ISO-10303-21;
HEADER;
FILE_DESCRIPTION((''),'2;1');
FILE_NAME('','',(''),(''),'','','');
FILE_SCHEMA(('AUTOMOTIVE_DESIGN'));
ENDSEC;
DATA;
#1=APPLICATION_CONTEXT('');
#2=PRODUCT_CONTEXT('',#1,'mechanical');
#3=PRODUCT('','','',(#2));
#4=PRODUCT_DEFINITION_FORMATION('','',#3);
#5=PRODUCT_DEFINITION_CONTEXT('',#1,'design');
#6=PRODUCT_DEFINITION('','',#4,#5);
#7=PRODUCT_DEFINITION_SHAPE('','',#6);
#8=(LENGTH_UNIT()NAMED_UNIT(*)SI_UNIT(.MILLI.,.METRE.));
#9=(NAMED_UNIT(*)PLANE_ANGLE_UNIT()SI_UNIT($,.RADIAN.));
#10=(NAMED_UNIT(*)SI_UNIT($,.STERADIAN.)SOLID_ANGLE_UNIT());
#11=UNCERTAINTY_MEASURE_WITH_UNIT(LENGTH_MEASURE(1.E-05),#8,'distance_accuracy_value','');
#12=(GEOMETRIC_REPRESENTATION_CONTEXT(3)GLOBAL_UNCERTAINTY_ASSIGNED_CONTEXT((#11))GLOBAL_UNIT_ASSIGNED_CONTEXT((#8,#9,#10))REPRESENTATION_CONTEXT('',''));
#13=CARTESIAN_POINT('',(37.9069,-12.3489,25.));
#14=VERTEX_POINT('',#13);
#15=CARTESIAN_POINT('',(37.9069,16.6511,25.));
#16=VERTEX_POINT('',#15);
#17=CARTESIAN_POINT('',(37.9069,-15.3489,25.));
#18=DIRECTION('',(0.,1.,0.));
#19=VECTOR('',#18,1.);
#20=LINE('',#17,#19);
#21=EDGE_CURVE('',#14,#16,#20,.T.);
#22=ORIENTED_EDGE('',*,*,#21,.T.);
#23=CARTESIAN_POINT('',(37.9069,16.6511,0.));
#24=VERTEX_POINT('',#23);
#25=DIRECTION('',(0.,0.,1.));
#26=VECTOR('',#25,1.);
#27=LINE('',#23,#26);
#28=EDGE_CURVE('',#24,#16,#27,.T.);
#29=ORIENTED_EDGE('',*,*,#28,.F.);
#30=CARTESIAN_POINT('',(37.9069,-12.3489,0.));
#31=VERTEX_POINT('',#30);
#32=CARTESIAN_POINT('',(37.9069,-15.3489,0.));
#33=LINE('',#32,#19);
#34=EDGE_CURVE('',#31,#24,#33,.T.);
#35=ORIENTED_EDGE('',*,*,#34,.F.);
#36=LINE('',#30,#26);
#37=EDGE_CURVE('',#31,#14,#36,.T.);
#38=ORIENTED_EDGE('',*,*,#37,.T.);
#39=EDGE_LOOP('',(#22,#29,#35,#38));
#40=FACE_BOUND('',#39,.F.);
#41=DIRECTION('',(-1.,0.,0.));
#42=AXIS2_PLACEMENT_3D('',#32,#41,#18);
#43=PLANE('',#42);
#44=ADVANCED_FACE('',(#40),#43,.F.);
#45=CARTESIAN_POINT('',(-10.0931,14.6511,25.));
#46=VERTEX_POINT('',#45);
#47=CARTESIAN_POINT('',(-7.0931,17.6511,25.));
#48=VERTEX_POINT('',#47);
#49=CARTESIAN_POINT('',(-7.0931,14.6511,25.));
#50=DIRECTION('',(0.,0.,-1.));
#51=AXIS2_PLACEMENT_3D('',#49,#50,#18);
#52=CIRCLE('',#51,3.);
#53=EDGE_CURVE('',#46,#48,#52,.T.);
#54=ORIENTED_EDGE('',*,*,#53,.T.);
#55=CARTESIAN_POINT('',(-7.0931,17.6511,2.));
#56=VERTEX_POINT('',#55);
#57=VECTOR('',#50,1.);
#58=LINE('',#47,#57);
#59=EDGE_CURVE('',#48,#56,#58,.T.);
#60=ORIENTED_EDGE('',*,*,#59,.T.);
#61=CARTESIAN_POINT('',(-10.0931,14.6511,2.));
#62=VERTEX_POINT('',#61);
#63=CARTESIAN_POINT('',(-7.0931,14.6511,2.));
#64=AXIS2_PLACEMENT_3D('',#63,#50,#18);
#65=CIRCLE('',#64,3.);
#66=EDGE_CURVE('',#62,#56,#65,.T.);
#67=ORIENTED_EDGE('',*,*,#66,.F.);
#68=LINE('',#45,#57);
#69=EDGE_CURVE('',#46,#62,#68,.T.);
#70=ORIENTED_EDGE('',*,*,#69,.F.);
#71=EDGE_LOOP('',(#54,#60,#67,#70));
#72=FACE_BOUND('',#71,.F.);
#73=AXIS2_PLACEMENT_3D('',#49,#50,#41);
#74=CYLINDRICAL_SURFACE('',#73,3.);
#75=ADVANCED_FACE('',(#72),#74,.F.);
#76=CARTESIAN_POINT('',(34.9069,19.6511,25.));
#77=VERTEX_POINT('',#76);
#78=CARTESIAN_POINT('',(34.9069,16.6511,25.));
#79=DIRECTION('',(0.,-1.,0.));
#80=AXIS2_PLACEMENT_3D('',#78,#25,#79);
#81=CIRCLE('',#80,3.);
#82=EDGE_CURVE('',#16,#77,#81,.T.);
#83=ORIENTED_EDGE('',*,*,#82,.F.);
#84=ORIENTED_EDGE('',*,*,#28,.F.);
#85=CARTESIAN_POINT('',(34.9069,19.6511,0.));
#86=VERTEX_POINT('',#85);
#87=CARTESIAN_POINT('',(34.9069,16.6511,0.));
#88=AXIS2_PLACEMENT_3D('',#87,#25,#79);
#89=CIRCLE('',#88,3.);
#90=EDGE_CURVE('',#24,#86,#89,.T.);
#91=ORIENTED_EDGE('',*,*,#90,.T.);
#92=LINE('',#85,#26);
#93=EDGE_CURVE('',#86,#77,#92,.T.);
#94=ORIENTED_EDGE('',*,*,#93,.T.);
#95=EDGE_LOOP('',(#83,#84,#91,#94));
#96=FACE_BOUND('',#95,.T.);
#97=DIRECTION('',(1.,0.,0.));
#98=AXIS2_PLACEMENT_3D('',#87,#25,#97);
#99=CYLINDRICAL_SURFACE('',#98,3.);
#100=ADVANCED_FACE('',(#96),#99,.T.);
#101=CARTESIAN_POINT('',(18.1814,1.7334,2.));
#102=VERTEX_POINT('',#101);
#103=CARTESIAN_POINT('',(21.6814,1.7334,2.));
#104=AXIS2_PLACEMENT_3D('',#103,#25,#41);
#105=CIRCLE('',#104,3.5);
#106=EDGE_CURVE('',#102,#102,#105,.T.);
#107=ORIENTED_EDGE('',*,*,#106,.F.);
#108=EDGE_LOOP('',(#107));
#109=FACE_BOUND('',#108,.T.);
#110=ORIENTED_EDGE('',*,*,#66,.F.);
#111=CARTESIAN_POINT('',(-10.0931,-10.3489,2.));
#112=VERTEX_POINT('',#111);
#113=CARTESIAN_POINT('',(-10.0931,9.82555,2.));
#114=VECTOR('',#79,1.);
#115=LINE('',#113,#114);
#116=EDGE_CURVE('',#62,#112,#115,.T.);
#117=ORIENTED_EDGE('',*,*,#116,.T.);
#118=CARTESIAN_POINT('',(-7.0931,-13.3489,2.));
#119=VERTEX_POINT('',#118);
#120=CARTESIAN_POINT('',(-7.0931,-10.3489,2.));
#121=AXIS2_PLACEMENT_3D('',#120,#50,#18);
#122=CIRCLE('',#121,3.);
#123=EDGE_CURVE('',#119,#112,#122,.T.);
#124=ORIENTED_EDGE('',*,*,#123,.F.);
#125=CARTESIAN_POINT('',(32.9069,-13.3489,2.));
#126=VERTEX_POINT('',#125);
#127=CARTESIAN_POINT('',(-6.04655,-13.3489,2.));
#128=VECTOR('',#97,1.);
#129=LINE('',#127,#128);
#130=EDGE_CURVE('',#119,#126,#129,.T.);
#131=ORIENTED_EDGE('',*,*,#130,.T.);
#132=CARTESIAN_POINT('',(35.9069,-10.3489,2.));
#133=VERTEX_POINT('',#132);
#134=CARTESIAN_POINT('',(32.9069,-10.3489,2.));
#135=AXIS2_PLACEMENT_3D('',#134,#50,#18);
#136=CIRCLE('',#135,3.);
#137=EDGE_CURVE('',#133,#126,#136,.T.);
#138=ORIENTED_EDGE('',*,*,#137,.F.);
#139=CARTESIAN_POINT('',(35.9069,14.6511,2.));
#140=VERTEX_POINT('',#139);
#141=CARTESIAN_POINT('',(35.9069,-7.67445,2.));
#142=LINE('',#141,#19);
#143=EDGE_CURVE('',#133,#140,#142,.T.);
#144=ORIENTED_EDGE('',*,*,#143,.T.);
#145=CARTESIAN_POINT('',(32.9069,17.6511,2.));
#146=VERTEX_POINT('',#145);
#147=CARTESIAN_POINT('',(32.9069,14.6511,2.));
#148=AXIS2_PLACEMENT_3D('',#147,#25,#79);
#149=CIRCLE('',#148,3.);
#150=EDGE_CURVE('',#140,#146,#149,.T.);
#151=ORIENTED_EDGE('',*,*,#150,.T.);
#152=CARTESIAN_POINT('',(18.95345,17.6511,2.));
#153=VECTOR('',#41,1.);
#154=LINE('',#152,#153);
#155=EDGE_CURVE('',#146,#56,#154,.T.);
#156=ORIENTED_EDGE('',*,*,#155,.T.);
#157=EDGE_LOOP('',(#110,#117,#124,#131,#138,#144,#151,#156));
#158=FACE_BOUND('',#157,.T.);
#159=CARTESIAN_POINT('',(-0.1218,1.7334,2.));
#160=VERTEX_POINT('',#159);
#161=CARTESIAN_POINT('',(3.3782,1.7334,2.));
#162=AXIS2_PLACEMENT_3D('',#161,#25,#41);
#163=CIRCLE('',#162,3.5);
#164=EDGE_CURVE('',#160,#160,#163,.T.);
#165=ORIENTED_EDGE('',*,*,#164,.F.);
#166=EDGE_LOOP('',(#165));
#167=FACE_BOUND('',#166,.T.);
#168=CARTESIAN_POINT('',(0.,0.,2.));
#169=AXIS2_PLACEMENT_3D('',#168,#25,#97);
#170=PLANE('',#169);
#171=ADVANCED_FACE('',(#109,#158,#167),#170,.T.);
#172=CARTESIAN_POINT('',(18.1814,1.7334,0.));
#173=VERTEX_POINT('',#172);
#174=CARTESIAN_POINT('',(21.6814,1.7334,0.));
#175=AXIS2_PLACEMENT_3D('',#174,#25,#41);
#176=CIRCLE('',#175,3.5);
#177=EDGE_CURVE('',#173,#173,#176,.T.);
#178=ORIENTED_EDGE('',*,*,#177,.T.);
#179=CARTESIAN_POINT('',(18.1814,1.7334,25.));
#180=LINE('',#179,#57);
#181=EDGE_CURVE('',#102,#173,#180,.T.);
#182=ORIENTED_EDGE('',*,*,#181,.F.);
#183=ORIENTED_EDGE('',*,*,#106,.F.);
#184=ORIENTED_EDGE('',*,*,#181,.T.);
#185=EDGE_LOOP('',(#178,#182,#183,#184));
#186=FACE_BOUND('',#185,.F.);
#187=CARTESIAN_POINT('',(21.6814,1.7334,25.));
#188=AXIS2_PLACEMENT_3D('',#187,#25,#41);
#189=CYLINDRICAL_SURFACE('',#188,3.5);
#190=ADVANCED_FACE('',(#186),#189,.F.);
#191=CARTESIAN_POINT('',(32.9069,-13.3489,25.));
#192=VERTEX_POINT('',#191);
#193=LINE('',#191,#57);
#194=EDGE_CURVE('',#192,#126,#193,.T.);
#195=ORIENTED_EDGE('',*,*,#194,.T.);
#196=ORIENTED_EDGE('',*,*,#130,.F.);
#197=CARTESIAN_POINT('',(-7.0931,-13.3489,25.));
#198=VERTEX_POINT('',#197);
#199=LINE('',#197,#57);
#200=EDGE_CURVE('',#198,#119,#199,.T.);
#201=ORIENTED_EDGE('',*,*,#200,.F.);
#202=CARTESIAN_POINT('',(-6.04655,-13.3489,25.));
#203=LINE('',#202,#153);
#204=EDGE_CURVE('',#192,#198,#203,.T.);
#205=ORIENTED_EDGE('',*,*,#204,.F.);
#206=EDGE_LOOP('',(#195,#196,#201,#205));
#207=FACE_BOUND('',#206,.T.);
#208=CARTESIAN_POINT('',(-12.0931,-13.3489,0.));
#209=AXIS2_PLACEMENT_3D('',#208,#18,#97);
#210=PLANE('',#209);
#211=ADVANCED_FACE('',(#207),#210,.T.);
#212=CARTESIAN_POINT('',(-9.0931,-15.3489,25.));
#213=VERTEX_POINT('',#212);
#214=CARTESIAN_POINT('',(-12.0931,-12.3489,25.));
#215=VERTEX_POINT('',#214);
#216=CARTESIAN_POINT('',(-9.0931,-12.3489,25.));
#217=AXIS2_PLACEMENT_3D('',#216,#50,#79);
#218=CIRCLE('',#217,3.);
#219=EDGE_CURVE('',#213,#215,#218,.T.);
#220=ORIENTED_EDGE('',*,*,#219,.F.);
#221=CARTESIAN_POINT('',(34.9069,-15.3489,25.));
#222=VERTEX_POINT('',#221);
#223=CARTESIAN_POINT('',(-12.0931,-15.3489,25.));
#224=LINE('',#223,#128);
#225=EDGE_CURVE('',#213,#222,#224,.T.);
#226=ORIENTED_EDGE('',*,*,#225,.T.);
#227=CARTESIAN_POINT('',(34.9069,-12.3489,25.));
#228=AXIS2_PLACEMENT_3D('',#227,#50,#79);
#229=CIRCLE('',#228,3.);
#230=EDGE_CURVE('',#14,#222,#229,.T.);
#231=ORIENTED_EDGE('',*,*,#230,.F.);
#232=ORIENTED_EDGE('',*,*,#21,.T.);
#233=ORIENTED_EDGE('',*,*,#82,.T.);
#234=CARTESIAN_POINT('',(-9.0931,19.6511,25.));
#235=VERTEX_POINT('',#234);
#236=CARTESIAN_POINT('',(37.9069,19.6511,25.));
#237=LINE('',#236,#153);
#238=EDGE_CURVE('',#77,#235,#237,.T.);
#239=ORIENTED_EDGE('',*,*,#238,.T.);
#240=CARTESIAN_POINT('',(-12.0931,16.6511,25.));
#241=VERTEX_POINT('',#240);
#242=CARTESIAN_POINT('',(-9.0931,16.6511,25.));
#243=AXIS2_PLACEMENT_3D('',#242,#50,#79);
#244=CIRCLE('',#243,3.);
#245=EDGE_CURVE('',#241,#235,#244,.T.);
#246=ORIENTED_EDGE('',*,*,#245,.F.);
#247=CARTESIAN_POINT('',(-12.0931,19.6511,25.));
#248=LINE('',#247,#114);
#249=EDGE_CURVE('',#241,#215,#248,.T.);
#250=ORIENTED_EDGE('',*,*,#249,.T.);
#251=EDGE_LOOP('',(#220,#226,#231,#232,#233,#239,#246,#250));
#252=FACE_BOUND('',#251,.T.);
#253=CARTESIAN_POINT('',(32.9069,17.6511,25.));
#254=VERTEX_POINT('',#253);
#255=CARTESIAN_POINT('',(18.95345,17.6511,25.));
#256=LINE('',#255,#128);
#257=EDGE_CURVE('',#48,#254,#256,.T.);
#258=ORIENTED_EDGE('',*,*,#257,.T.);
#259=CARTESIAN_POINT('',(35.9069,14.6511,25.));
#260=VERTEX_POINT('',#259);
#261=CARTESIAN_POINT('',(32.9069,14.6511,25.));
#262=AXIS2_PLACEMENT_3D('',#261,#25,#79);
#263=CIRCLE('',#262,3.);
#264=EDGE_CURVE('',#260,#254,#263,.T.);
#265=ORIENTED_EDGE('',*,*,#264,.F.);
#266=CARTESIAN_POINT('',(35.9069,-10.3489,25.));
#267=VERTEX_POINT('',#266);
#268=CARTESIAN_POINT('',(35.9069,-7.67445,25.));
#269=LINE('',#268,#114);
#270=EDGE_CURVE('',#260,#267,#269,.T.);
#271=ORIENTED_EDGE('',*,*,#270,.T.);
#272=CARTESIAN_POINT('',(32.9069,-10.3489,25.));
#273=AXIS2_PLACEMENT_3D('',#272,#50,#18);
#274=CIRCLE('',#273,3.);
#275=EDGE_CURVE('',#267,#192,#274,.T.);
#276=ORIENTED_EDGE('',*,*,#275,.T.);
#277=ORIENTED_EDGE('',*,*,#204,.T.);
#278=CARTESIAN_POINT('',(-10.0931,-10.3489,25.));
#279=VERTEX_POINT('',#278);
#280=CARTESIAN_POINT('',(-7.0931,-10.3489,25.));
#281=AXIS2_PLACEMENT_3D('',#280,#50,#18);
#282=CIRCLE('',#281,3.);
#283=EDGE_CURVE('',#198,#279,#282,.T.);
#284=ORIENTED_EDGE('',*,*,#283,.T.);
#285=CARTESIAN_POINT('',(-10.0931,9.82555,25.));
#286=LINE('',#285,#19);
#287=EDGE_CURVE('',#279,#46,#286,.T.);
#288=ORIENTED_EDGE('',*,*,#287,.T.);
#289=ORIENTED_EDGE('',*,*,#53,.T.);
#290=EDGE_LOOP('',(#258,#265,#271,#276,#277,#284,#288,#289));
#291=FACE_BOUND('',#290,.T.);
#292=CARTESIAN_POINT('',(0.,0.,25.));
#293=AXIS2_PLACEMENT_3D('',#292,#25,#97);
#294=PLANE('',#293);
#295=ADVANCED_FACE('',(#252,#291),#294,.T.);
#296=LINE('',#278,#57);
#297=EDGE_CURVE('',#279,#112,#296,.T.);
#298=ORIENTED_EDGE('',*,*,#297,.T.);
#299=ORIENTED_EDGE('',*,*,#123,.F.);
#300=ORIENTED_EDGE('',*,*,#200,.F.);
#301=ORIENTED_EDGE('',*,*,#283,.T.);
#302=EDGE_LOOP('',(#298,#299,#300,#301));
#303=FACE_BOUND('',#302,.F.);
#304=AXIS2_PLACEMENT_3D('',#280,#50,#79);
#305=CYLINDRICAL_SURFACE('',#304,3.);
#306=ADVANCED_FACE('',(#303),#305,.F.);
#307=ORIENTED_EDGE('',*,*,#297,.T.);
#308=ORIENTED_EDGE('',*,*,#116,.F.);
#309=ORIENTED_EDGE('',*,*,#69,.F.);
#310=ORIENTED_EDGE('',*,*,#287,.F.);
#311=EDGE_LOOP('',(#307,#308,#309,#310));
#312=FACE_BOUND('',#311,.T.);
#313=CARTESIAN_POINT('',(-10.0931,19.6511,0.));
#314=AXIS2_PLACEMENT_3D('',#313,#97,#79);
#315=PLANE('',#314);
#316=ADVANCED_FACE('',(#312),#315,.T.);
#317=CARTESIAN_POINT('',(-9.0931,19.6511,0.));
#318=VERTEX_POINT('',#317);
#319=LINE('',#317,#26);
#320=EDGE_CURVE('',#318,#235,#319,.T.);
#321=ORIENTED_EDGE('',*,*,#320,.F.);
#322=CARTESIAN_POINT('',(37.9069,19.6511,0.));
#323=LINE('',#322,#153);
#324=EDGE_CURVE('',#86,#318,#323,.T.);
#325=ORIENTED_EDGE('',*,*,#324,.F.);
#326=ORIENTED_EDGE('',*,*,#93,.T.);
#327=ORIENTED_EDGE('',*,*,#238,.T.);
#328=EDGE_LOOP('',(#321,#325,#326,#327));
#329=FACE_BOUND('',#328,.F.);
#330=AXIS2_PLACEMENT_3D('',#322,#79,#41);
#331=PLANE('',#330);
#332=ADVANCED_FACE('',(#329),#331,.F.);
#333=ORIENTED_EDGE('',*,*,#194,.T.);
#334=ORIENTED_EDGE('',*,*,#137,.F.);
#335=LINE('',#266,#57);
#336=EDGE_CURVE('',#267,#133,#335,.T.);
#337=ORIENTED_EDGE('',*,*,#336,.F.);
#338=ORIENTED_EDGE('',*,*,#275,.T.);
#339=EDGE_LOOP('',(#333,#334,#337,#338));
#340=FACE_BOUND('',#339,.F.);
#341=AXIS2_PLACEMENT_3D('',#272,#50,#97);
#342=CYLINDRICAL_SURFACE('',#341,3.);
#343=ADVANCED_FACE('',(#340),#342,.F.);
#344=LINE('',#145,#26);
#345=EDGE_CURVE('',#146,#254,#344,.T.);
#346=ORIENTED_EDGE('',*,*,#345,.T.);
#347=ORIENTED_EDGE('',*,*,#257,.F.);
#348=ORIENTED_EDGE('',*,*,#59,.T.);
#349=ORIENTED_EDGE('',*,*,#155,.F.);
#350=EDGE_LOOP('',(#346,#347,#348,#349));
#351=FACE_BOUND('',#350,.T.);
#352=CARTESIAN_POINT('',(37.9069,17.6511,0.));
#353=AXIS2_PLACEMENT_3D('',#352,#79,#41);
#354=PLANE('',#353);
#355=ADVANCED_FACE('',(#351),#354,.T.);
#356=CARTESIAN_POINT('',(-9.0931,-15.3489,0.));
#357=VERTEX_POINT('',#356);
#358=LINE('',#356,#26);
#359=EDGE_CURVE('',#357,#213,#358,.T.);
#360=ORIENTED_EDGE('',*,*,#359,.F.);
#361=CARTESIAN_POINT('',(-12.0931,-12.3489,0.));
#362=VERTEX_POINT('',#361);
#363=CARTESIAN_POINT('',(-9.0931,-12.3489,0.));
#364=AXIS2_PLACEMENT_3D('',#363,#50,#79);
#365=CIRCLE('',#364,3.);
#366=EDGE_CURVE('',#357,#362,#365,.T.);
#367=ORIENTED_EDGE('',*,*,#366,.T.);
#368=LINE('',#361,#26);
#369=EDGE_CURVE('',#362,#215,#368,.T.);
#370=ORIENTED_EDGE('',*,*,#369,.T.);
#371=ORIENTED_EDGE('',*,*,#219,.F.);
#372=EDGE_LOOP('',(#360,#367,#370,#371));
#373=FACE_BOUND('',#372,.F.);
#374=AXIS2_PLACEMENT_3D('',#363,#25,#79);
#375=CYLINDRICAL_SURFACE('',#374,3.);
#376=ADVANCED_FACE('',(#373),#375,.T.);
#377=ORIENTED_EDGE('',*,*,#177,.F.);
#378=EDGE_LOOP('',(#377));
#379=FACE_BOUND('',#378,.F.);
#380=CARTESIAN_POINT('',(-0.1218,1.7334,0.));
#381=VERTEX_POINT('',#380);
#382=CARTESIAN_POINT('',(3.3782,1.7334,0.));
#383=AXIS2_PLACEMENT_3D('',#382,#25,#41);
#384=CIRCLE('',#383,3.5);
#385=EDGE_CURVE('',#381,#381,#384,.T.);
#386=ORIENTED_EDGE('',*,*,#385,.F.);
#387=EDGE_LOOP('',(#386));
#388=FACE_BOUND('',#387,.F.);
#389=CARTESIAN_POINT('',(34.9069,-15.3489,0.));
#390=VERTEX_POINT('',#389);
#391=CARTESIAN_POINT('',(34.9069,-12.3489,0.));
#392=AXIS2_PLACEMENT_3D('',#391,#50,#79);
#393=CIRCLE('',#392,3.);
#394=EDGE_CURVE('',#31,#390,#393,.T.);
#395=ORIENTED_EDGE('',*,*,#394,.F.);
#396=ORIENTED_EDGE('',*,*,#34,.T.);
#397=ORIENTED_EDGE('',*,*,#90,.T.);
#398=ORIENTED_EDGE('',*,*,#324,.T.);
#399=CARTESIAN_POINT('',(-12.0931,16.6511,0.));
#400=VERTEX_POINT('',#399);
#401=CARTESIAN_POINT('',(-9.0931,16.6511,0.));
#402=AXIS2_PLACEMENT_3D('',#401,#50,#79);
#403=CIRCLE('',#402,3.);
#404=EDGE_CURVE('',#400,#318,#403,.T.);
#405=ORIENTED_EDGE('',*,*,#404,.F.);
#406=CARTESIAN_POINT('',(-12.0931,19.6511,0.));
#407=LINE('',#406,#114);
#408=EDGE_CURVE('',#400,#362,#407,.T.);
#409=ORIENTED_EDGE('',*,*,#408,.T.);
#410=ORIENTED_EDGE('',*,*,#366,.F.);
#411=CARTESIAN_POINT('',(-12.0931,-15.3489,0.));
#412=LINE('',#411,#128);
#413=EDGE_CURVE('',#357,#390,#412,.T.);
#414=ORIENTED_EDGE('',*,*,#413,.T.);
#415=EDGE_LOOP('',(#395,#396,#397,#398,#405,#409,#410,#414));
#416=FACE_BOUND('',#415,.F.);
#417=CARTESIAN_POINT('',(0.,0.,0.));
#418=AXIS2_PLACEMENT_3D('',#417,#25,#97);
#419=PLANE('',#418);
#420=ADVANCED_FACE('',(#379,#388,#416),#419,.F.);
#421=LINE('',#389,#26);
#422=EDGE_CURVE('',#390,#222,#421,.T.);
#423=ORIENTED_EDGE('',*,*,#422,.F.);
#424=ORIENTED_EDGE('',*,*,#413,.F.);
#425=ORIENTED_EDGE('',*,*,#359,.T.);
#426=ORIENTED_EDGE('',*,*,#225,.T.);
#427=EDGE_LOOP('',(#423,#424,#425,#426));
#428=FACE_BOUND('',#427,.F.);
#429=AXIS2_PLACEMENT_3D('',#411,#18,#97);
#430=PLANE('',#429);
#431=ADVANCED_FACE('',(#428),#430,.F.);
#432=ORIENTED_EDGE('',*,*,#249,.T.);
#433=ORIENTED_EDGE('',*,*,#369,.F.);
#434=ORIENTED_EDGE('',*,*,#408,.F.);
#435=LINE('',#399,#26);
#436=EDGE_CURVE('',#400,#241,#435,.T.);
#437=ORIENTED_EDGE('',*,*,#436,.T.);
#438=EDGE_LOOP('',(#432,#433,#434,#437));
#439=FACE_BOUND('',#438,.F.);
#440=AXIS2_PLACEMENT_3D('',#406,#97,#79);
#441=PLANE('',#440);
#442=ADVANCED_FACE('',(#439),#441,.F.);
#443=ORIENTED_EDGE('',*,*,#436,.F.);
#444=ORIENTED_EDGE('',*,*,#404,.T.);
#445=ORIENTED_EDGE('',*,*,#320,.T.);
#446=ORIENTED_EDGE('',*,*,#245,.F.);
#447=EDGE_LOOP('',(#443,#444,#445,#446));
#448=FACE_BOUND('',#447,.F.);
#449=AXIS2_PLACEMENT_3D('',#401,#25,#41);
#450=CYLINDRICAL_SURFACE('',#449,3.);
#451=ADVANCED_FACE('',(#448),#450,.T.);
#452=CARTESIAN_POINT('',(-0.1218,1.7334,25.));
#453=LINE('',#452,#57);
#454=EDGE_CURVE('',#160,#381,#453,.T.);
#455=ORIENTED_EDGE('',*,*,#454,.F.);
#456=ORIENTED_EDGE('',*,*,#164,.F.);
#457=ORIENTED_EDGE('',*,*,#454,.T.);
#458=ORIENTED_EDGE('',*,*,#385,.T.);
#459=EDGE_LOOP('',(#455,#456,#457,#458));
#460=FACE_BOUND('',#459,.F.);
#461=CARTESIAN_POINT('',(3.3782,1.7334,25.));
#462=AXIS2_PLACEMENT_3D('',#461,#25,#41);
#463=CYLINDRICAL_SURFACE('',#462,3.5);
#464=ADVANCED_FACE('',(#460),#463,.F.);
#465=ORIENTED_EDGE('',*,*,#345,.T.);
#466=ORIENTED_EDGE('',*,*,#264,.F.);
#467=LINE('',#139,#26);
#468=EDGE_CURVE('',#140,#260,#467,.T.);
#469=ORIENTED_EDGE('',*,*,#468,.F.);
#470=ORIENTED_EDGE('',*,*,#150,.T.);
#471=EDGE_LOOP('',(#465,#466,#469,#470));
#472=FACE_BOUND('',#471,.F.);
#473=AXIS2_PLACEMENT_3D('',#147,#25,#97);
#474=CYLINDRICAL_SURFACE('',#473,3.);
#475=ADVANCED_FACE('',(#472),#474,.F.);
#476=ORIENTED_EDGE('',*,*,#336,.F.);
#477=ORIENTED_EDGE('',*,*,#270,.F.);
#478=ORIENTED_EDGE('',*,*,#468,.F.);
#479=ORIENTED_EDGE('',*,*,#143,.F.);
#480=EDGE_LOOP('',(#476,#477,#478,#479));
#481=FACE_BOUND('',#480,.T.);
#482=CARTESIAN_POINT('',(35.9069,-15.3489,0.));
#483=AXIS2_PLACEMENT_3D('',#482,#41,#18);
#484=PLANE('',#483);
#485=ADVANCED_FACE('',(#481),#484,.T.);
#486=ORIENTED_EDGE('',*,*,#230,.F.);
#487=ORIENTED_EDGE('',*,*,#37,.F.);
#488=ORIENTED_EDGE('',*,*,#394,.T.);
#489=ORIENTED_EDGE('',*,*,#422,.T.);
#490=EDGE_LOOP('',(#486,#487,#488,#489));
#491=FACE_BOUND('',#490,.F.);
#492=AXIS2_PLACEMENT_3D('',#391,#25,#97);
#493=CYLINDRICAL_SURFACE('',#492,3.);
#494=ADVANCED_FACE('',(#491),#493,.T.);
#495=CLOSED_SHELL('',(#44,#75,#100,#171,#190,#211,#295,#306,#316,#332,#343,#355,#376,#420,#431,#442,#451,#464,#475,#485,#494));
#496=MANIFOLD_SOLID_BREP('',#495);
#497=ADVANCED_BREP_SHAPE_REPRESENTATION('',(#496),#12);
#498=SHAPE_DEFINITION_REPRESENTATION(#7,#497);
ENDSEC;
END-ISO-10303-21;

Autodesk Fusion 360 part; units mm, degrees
sketch "Sketch1" plane through (0, 0, 0) normal (0, 0, 1) x (1, 0, 0)
  line L0 (37.9069, 19.6511) -> (-12.0931, 19.6511)
  line L1 (-12.0931, 19.6511) -> (-12.0931, -15.3489)
  line L2 (-12.0931, -15.3489) -> (37.9069, -15.3489)
  line L3 (37.9069, -15.3489) -> (37.9069, 19.6511)
  dimension "d1" = 50
  dimension "d2" = 35
extrude "Extrude1" add sketch "Sketch1" along normal blind 25
shell "Shell1" thickness 2 removed faces 1 at (4.5736, 7.9845, 25)
fillet "Fillet1" radius 3 8 edges at (37.9069, -15.3489, 12.5) (37.9069, 19.6511, 12.5) (-10.0931, -13.3489, 13.5) (-12.0931, 19.6511, 12.5) (35.9069, 17.6511, 13.5) (-12.0931, -15.3489, 12.5) (-10.0931, 17.6511, 13.5) (35.9069, -13.3489, 13.5)
sketch "Sketch2" plane through (0, 0, 25) normal (0, 0, 1) x (-1, 0, 0)
  line L0 (-32.9069, 13.3489) -> (7.0931, 13.3489)
  arc A0 (10.0931, 10.3489) -> (7.0931, 13.3489) centre (7.0931, 10.3489) ccw
  line L1 (10.0931, 10.3489) -> (10.0931, -14.6511)
  arc A1 (7.0931, -17.6511) -> (10.0931, -14.6511) centre (7.0931, -14.6511) ccw
  line L2 (7.0931, -17.6511) -> (-32.9069, -17.6511)
  arc A2 (-35.9069, -14.6511) -> (-32.9069, -17.6511) centre (-32.9069, -14.6511) ccw
  line L3 (-35.9069, -14.6511) -> (-35.9069, 10.3489)
  arc A3 (-32.9069, 13.3489) -> (-35.9069, 10.3489) centre (-32.9069, 10.3489) ccw
  arc A4 (12.0931, 12.3489) -> (9.0931, 15.3489) centre (9.0931, 12.3489) ccw
  line L4 (9.0931, 15.3489) -> (-34.9069, 15.3489)
  arc A5 (-34.9069, 15.3489) -> (-37.9069, 12.3489) centre (-34.9069, 12.3489) ccw
  line L5 (-37.9069, 12.3489) -> (-37.9069, -16.6511)
  arc A6 (-37.9069, -16.6511) -> (-34.9069, -19.6511) centre (-34.9069, -16.6511) ccw
  line L6 (-34.9069, -19.6511) -> (9.0931, -19.6511)
  arc A7 (9.0931, -19.6511) -> (12.0931, -16.6511) centre (9.0931, -16.6511) ccw
  line L7 (12.0931, -16.6511) -> (12.0931, 12.3489)
  circle A8 centre (-21.6814, -1.7334) radius 3.5
  circle A9 centre (-3.3782, -1.7334) radius 3.5
  dimension "d8" = 7
  dimension "d9" = 7
extrude "Extrude2" cut sketch "Sketch2" against normal blind 60 contours A8 | A9
